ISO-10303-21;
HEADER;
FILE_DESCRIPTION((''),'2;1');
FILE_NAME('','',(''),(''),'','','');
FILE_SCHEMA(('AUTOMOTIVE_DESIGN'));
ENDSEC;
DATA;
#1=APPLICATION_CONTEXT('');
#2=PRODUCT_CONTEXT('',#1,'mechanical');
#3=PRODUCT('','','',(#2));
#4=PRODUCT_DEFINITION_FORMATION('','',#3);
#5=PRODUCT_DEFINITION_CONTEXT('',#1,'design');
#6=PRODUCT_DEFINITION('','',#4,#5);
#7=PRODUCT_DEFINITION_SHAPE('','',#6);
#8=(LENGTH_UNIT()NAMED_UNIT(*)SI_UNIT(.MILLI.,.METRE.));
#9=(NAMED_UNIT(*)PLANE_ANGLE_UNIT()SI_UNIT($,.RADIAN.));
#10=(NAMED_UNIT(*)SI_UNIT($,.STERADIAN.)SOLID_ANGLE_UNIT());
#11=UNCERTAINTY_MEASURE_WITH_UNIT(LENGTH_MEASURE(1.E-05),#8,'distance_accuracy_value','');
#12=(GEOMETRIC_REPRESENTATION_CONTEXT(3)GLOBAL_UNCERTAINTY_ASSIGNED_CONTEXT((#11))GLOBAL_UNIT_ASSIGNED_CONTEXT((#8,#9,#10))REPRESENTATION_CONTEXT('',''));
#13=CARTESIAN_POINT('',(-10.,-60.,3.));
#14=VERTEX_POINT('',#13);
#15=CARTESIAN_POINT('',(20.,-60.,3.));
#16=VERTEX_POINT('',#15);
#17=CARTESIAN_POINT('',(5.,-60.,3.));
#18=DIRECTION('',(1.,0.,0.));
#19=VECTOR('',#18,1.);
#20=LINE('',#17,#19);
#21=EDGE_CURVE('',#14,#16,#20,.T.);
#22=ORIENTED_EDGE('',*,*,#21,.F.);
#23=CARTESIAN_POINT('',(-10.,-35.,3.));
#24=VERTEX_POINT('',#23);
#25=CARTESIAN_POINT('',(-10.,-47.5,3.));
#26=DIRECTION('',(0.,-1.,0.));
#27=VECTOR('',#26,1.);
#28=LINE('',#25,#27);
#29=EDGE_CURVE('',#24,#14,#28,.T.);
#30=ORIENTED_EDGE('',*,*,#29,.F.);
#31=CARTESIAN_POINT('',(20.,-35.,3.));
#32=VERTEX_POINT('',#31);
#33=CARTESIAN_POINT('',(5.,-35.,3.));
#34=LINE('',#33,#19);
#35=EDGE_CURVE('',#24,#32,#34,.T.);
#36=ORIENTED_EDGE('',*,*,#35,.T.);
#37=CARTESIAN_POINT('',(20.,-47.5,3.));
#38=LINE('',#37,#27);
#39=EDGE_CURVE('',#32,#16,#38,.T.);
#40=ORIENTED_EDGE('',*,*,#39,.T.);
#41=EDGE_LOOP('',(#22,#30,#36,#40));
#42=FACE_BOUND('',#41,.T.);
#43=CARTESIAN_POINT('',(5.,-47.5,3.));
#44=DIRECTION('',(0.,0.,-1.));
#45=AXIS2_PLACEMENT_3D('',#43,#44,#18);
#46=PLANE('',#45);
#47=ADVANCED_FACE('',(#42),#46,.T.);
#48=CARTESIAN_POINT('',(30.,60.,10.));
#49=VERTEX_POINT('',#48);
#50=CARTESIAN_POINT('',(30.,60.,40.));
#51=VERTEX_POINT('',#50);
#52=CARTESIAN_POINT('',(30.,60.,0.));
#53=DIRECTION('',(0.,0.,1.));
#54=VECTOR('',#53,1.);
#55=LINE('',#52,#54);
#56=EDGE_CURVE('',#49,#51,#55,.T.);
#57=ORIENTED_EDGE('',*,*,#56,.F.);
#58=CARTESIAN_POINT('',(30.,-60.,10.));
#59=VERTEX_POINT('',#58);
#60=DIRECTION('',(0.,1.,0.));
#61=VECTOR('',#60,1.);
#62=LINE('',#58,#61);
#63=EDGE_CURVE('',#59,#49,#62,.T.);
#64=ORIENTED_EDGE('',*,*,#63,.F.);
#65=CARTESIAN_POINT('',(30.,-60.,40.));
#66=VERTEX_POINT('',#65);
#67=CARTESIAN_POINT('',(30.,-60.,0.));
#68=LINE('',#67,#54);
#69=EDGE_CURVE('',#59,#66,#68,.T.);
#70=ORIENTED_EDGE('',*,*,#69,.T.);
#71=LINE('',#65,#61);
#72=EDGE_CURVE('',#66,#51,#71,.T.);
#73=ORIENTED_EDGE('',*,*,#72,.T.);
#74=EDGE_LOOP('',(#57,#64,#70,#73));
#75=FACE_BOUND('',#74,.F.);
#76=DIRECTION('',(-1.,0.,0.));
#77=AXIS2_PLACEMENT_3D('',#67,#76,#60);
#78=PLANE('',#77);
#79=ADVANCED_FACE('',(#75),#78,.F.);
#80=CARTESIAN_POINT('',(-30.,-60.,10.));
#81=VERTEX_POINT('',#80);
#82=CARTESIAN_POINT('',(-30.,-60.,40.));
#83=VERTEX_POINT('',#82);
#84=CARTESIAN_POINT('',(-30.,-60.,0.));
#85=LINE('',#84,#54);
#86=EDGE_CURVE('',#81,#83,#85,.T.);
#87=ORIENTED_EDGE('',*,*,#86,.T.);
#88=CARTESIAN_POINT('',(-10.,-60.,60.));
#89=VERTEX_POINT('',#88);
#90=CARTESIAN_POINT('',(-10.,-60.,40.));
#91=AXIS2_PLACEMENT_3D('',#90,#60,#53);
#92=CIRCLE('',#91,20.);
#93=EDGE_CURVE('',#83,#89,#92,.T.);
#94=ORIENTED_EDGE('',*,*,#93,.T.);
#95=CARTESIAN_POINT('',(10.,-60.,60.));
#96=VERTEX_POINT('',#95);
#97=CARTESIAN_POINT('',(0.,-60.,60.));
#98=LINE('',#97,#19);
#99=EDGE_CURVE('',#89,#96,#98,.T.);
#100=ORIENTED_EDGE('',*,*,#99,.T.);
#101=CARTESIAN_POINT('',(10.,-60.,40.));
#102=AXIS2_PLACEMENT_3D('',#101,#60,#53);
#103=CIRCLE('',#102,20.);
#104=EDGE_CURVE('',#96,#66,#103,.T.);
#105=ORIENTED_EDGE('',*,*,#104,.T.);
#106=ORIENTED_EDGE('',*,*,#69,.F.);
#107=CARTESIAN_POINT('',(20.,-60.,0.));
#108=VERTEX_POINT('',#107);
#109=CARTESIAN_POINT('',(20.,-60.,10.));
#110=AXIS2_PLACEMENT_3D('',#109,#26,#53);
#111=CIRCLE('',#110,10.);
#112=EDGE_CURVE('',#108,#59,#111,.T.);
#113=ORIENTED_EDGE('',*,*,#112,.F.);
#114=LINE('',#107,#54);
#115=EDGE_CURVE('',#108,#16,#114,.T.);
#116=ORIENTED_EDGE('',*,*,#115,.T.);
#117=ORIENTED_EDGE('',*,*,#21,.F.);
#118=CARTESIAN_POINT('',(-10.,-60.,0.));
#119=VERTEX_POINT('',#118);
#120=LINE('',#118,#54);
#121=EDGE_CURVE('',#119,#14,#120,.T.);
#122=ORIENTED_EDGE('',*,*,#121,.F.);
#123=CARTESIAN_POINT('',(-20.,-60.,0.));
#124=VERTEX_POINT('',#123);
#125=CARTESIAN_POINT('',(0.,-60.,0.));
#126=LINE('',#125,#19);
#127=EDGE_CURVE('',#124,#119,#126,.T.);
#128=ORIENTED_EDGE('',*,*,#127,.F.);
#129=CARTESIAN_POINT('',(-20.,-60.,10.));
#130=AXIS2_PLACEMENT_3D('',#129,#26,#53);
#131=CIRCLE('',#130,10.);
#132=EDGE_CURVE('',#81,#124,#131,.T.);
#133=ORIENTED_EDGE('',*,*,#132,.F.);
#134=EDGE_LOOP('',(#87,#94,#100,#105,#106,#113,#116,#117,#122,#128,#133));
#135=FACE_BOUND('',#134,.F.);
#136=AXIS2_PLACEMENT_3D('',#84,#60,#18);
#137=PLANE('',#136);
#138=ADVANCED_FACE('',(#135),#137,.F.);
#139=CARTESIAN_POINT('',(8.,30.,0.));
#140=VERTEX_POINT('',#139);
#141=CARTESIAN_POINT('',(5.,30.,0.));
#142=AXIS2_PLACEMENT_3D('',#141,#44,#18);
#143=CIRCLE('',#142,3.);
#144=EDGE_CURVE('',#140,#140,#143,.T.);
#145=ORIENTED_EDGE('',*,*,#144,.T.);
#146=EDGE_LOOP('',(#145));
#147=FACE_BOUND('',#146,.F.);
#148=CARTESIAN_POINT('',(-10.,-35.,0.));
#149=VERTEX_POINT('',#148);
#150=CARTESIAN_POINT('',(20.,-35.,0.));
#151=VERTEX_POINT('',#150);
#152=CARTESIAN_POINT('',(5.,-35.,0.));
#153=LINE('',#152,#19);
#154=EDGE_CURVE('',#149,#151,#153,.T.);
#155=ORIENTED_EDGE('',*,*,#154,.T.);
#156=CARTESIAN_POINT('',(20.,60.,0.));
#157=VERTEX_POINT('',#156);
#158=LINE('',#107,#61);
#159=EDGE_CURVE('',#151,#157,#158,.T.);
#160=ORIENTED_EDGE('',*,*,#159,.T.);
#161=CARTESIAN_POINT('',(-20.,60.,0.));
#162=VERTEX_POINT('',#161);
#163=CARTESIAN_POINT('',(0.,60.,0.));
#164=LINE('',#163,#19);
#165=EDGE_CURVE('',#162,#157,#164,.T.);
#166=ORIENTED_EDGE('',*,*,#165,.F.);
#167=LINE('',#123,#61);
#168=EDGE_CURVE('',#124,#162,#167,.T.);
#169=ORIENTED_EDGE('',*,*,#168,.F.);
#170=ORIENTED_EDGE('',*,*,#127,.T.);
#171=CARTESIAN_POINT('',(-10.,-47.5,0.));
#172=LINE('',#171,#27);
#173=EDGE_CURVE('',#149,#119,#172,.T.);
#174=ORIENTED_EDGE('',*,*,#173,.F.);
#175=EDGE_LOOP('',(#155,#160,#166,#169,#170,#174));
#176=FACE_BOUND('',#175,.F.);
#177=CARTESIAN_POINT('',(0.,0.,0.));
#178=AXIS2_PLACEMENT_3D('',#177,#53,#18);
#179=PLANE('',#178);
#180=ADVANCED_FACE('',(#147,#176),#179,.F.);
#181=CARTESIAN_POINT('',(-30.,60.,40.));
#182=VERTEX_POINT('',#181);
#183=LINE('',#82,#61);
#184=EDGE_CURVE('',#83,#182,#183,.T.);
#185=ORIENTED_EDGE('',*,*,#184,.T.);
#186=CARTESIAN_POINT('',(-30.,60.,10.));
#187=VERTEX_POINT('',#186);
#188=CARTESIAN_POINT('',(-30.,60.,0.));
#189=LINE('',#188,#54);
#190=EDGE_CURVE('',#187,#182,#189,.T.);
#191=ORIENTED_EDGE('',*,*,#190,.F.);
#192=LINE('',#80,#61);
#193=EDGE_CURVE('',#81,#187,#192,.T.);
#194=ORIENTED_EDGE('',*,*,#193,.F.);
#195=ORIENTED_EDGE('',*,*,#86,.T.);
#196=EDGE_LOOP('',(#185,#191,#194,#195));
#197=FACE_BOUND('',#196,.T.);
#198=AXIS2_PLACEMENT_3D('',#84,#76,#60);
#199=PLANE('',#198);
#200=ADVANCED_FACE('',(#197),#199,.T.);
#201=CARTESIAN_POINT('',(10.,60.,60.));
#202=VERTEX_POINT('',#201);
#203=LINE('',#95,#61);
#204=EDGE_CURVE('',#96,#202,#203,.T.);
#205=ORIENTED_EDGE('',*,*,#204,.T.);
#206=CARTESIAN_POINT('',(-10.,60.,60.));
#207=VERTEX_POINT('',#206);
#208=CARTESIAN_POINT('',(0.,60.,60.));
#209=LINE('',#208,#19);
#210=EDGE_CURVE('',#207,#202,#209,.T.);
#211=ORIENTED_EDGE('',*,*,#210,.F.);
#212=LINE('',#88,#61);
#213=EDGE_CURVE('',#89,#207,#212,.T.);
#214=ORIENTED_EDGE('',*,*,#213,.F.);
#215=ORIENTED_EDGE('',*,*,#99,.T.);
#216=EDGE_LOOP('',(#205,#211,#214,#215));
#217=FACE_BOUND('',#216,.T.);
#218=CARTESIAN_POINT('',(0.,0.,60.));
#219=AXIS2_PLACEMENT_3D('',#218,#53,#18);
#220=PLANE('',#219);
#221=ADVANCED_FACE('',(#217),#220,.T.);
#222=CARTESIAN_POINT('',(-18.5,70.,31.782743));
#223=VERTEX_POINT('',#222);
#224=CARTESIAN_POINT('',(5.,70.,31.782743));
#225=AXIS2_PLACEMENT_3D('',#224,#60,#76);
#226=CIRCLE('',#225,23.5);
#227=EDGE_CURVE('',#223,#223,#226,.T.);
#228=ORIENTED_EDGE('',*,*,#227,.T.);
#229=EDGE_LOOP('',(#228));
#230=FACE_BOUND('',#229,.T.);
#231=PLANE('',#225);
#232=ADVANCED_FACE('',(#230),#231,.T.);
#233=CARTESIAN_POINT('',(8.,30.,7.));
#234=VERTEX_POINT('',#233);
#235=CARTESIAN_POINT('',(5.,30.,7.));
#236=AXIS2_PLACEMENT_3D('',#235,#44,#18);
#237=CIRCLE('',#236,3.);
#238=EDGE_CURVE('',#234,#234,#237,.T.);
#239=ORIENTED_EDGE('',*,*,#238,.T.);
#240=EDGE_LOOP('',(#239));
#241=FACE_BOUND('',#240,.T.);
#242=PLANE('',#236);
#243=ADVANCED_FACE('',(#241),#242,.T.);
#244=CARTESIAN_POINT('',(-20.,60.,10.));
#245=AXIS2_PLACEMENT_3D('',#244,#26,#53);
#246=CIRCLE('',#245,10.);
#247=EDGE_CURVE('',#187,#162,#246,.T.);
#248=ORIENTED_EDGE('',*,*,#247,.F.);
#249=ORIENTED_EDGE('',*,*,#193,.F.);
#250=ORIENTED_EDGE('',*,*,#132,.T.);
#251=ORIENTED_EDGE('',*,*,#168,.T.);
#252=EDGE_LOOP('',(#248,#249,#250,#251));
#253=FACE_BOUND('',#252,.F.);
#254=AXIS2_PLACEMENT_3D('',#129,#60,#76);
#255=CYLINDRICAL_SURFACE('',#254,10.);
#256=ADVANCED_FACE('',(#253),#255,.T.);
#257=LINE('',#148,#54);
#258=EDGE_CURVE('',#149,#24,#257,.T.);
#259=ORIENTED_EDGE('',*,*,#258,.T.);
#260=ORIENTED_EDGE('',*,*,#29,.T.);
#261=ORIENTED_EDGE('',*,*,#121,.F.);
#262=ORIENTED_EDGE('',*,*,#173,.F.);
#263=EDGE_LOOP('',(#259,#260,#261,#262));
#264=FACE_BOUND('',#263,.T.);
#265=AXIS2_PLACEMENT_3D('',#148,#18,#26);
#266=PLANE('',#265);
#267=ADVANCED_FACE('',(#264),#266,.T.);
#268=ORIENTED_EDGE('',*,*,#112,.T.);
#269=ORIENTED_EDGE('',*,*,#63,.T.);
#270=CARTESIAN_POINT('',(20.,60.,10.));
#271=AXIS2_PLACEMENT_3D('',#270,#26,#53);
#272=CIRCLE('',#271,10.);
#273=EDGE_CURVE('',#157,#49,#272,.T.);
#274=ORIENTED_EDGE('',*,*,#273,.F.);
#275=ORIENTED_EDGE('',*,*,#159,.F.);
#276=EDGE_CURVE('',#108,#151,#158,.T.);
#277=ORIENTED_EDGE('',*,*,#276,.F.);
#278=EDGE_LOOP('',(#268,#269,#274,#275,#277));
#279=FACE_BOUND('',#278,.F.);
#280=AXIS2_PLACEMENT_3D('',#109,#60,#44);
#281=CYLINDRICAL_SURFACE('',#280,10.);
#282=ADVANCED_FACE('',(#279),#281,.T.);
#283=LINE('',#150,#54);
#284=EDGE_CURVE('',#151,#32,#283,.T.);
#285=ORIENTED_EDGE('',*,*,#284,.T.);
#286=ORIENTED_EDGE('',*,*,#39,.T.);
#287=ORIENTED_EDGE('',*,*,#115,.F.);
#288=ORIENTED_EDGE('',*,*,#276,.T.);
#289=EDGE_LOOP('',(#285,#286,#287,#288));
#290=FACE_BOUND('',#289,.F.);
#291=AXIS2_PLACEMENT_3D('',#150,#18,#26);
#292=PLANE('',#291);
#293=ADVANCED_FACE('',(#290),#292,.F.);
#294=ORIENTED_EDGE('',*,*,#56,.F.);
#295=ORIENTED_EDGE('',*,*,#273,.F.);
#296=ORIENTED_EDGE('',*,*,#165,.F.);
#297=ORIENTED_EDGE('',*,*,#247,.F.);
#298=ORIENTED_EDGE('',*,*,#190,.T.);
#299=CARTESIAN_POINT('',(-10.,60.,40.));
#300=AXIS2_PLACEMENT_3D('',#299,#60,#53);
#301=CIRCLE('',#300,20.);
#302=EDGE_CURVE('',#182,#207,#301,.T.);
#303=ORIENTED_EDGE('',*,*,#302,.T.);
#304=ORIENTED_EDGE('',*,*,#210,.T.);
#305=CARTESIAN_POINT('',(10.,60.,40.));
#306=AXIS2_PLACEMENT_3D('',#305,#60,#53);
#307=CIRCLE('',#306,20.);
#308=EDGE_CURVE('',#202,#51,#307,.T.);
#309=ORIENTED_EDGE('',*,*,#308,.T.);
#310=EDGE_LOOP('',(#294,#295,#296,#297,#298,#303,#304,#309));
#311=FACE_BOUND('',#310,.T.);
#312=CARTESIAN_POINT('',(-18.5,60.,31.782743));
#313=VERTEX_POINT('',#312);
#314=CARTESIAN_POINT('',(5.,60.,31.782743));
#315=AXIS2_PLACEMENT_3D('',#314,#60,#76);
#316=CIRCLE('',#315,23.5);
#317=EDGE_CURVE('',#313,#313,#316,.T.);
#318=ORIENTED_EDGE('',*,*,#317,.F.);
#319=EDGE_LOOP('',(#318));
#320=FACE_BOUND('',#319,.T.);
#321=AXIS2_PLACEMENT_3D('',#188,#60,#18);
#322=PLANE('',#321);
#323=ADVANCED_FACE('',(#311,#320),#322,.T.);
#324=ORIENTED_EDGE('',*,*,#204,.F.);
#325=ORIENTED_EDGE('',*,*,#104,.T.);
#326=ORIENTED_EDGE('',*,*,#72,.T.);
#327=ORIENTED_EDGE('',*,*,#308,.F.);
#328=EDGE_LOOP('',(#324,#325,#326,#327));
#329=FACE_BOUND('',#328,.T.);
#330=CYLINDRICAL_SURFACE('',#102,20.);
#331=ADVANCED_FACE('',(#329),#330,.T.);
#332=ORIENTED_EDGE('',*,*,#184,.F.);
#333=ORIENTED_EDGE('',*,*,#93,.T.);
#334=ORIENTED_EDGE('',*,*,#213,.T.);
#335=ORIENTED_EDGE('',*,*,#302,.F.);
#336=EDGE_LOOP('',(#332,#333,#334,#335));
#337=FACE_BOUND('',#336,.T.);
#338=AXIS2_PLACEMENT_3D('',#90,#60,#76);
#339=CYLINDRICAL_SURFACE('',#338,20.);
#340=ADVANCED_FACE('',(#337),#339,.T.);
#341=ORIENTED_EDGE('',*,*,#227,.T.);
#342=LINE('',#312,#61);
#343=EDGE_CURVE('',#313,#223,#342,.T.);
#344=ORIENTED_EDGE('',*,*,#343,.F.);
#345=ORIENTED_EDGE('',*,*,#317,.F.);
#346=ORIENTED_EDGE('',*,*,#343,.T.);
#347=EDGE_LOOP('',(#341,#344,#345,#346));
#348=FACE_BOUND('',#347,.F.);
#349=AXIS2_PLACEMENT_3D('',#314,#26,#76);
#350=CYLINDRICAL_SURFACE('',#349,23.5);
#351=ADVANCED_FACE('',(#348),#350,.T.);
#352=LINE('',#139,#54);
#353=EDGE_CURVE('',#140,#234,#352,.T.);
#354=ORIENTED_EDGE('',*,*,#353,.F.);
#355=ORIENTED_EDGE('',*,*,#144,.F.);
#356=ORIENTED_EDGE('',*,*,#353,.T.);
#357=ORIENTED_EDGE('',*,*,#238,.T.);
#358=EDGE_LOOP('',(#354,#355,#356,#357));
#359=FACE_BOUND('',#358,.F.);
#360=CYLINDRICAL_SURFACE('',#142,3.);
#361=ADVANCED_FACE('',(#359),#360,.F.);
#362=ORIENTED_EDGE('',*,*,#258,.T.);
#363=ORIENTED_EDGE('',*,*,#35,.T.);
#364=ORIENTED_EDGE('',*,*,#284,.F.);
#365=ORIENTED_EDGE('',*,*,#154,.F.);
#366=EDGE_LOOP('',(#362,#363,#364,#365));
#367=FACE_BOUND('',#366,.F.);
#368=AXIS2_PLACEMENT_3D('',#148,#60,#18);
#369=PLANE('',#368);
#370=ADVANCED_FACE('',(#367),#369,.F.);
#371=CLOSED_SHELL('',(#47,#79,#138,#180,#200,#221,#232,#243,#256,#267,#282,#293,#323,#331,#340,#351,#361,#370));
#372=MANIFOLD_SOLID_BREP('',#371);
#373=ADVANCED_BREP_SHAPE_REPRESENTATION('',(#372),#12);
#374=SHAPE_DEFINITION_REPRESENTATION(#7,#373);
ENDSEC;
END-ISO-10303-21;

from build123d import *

# Parameters (mm, degrees)
F0_W     = 60
F0_H     = 120
F1_DEPTH = 60
F2_R     = 3
F3_DEPTH = 7
F4_R     = 20
F5_R     = 10
F6_R     = 23.5
F7_DEPTH = 10
F8_W     = 30
F8_H     = 25
F9_DEPTH = 3


with BuildPart() as f1:
    # F0 (on Top) → F1 (new body)
    with BuildSketch(Plane.XY):
        Rectangle(F0_W, F0_H)
    extrude(amount=F1_DEPTH)

    # F2 (on face) → F3 (cut)
    with BuildSketch(Plane(origin=(0, 0, 0), x_dir=(1, 0, 0), z_dir=(0, 0, -1))):
        with Locations((5, -30)):
            Circle(F2_R)
    extrude(amount=-F3_DEPTH, mode=Mode.SUBTRACT)

    # F4
    f4_edges = [f1.edges().sort_by_distance(p)[0] for p in [
        (30, 0, 60),
        (-30, 0, 60),
    ]]
    fillet(f4_edges, radius=F4_R)

    # F5
    f5_edges = [f1.edges().sort_by_distance(p)[0] for p in [
        (30, 0, 0),
        (-30, 0, 0),
    ]]
    fillet(f5_edges, radius=F5_R)

    # F6 (on face) → F7 (join)
    with BuildSketch(Plane(origin=(0, 60, 0), x_dir=(-1, 0, 0), z_dir=(0, 1, 0))):
        with Locations((-5, 31.7827425897)):
            Circle(F6_R)
    extrude(amount=F7_DEPTH)

    # F8 (on face) → F9 (cut)
    with BuildSketch(Plane(origin=(0, 0, 0), x_dir=(1, 0, 0), z_dir=(0, 0, -1))):
        with Locations((5, 47.5)):
            Rectangle(F8_W, F8_H)
    extrude(amount=-F9_DEPTH, mode=Mode.SUBTRACT)


solid = f1.part
